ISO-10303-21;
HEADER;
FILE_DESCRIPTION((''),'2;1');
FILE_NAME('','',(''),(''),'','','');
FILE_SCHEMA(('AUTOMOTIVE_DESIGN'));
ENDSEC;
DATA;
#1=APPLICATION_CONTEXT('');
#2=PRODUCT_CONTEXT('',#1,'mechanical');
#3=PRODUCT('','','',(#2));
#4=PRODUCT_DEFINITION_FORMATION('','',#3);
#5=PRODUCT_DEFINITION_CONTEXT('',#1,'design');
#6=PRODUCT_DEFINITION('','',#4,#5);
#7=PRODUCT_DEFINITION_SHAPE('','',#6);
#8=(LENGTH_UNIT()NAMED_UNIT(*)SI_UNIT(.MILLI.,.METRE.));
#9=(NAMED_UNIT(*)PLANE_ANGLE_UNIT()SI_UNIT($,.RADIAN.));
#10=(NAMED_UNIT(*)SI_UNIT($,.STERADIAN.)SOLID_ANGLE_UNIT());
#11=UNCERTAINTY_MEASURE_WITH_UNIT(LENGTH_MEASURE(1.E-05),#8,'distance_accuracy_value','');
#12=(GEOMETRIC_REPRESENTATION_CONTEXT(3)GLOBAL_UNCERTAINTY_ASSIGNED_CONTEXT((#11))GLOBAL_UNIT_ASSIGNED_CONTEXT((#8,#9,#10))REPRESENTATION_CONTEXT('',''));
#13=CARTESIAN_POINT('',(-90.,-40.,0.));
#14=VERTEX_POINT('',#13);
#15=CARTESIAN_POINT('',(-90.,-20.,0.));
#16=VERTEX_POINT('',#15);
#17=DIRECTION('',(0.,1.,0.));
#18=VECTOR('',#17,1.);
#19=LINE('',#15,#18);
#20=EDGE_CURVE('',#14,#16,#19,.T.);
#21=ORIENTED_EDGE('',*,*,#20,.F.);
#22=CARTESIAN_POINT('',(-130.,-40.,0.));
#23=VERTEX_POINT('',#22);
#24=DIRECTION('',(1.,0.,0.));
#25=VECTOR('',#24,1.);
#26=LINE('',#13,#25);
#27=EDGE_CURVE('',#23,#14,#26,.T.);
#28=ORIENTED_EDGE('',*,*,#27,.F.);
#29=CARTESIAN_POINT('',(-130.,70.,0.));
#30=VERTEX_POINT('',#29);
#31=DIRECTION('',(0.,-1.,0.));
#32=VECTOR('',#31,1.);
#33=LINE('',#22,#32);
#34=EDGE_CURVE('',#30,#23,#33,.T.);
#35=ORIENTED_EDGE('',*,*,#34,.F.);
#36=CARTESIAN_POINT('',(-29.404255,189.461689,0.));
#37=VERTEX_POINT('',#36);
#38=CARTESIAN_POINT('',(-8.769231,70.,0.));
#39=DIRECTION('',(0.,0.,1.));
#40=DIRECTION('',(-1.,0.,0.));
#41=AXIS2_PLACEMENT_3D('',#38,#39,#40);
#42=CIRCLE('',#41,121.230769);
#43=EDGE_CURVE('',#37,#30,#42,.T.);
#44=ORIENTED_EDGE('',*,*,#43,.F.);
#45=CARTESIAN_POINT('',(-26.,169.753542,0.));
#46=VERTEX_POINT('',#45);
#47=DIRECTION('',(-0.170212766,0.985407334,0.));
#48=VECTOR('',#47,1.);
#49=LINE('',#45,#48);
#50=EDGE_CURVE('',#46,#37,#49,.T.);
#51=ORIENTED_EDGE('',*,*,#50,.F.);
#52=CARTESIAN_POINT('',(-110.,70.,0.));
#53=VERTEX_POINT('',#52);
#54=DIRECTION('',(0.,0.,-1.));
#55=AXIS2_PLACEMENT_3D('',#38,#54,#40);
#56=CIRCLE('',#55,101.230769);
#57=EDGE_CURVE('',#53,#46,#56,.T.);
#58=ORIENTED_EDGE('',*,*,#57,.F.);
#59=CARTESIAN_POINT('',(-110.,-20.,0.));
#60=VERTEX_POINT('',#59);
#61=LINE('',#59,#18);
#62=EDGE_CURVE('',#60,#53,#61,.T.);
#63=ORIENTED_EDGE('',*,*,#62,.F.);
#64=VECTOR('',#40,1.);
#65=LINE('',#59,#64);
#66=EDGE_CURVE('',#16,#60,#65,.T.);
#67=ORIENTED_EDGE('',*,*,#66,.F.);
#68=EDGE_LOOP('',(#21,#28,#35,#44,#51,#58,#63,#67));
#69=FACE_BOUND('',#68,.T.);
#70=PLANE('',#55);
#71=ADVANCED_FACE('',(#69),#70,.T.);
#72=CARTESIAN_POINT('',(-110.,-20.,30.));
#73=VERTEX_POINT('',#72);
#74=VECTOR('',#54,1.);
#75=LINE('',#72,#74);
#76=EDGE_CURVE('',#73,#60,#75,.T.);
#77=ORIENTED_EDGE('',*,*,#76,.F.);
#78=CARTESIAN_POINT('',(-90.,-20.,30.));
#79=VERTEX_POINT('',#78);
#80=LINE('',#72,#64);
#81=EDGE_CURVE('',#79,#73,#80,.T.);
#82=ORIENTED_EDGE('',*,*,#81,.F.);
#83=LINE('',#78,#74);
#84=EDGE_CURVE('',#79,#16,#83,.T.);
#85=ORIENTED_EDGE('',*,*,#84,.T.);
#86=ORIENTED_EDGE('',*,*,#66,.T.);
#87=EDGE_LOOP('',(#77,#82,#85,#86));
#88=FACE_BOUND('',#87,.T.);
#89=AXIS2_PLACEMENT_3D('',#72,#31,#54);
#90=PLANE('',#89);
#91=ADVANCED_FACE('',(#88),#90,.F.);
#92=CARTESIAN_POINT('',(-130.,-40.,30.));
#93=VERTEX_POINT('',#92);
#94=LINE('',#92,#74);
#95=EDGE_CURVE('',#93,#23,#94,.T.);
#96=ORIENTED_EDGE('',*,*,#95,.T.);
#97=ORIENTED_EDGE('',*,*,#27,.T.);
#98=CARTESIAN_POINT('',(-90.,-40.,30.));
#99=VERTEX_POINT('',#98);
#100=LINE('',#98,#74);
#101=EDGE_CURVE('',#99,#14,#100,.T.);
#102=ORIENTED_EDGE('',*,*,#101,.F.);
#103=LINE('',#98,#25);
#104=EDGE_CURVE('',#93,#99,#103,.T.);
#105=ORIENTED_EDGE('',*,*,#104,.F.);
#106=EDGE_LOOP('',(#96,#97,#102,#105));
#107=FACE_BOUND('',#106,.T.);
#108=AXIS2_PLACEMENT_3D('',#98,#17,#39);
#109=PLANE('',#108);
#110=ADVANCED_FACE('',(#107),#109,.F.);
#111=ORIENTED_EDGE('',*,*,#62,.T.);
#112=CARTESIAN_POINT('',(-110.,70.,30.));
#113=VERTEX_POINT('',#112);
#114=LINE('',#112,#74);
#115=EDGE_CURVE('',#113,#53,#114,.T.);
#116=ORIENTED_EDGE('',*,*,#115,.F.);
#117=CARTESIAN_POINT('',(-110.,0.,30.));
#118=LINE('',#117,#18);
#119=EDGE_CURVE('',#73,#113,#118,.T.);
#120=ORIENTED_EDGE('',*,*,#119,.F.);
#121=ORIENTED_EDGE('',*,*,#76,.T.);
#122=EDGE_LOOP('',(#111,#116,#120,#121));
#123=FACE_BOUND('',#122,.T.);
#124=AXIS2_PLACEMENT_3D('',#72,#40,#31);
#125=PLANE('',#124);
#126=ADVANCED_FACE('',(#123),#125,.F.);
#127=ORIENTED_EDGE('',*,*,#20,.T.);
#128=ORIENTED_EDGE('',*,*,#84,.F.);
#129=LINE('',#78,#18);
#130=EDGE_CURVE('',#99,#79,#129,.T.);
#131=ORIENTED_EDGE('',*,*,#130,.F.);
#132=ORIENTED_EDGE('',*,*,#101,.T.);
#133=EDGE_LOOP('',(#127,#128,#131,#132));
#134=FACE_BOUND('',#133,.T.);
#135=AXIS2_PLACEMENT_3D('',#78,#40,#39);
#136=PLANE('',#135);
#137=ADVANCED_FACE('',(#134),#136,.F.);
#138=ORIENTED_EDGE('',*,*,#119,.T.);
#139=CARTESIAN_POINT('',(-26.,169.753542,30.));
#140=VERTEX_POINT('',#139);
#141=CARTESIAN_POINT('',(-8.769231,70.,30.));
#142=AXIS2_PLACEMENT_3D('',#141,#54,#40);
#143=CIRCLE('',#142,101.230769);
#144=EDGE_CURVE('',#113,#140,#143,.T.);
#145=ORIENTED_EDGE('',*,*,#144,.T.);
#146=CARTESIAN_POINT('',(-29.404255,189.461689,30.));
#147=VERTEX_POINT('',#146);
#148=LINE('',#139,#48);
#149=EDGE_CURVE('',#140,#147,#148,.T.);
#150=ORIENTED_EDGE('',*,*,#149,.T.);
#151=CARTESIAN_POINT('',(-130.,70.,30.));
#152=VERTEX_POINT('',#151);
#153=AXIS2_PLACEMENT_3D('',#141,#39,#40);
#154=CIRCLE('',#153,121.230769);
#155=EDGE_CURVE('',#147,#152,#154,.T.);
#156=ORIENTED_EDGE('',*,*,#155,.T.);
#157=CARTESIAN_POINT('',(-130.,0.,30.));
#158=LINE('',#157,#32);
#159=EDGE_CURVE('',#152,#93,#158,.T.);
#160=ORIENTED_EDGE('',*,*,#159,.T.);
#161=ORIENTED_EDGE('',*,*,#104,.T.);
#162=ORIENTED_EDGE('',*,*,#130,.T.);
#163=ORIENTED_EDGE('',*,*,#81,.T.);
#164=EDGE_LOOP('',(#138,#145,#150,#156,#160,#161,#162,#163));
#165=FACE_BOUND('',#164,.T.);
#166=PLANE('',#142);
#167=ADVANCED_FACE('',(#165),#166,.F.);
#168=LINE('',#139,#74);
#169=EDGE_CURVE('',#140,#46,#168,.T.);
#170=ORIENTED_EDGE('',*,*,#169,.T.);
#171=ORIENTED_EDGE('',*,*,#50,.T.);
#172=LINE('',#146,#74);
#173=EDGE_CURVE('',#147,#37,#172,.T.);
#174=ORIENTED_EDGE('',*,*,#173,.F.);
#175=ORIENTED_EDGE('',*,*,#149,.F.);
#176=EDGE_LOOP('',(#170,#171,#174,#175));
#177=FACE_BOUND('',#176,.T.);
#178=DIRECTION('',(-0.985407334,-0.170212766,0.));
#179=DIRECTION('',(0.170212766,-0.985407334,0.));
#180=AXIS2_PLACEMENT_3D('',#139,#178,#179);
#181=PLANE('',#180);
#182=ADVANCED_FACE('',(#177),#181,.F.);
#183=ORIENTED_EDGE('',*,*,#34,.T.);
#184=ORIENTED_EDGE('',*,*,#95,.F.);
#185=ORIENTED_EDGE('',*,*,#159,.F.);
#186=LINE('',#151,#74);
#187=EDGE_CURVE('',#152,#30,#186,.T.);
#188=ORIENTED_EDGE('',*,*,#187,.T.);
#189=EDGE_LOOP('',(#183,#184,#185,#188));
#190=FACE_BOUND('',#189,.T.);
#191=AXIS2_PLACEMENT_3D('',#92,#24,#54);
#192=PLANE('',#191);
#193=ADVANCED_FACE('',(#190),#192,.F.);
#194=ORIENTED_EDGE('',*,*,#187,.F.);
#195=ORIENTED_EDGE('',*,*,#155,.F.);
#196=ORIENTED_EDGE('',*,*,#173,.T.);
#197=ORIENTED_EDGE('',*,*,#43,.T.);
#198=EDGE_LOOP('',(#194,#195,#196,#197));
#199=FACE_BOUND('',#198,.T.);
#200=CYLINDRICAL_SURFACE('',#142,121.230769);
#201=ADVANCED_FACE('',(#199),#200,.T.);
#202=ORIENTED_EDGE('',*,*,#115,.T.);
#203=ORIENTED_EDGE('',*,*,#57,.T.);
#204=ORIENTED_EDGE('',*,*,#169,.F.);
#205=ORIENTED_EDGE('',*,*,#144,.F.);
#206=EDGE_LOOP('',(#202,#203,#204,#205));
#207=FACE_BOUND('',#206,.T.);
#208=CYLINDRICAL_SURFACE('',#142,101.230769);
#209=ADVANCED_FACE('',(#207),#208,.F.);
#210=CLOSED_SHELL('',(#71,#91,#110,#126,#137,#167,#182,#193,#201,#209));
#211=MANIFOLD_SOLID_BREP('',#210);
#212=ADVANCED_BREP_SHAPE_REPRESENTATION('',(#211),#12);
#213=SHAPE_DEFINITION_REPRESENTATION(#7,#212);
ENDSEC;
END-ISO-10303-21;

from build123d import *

# Parameters (mm, degrees)
BOSS_EXTRUDE1_DEPTH = 30


with BuildPart() as part:
    # Sketch1 → Boss-Extrude1 (new body)
    with BuildSketch(Plane.XY):
        with BuildLine():
            Line((-110, -20), (-90, -20))
            Line((-90, -20), (-90, -40))
            Line((-90, -40), (-130, -40))
            Line((-130, -40), (-130, 0))
            Line((-130, 0), (-130, 70))
            ThreePointArc((-130, 70), (-101.50137004, 148.087449405), (-29.404255319, 189.461689131))
            Line((-29.404255319, 189.461689131), (-26, 169.753542447))
            ThreePointArc((-26, 169.753542447), (-86.202920668, 135.205002168), (-110, 70))
            Line((-110, 70), (-110, 0))
            Line((-110, 0), (-110, -20))
        make_face()
    extrude(amount=BOSS_EXTRUDE1_DEPTH)


solid = part.part
